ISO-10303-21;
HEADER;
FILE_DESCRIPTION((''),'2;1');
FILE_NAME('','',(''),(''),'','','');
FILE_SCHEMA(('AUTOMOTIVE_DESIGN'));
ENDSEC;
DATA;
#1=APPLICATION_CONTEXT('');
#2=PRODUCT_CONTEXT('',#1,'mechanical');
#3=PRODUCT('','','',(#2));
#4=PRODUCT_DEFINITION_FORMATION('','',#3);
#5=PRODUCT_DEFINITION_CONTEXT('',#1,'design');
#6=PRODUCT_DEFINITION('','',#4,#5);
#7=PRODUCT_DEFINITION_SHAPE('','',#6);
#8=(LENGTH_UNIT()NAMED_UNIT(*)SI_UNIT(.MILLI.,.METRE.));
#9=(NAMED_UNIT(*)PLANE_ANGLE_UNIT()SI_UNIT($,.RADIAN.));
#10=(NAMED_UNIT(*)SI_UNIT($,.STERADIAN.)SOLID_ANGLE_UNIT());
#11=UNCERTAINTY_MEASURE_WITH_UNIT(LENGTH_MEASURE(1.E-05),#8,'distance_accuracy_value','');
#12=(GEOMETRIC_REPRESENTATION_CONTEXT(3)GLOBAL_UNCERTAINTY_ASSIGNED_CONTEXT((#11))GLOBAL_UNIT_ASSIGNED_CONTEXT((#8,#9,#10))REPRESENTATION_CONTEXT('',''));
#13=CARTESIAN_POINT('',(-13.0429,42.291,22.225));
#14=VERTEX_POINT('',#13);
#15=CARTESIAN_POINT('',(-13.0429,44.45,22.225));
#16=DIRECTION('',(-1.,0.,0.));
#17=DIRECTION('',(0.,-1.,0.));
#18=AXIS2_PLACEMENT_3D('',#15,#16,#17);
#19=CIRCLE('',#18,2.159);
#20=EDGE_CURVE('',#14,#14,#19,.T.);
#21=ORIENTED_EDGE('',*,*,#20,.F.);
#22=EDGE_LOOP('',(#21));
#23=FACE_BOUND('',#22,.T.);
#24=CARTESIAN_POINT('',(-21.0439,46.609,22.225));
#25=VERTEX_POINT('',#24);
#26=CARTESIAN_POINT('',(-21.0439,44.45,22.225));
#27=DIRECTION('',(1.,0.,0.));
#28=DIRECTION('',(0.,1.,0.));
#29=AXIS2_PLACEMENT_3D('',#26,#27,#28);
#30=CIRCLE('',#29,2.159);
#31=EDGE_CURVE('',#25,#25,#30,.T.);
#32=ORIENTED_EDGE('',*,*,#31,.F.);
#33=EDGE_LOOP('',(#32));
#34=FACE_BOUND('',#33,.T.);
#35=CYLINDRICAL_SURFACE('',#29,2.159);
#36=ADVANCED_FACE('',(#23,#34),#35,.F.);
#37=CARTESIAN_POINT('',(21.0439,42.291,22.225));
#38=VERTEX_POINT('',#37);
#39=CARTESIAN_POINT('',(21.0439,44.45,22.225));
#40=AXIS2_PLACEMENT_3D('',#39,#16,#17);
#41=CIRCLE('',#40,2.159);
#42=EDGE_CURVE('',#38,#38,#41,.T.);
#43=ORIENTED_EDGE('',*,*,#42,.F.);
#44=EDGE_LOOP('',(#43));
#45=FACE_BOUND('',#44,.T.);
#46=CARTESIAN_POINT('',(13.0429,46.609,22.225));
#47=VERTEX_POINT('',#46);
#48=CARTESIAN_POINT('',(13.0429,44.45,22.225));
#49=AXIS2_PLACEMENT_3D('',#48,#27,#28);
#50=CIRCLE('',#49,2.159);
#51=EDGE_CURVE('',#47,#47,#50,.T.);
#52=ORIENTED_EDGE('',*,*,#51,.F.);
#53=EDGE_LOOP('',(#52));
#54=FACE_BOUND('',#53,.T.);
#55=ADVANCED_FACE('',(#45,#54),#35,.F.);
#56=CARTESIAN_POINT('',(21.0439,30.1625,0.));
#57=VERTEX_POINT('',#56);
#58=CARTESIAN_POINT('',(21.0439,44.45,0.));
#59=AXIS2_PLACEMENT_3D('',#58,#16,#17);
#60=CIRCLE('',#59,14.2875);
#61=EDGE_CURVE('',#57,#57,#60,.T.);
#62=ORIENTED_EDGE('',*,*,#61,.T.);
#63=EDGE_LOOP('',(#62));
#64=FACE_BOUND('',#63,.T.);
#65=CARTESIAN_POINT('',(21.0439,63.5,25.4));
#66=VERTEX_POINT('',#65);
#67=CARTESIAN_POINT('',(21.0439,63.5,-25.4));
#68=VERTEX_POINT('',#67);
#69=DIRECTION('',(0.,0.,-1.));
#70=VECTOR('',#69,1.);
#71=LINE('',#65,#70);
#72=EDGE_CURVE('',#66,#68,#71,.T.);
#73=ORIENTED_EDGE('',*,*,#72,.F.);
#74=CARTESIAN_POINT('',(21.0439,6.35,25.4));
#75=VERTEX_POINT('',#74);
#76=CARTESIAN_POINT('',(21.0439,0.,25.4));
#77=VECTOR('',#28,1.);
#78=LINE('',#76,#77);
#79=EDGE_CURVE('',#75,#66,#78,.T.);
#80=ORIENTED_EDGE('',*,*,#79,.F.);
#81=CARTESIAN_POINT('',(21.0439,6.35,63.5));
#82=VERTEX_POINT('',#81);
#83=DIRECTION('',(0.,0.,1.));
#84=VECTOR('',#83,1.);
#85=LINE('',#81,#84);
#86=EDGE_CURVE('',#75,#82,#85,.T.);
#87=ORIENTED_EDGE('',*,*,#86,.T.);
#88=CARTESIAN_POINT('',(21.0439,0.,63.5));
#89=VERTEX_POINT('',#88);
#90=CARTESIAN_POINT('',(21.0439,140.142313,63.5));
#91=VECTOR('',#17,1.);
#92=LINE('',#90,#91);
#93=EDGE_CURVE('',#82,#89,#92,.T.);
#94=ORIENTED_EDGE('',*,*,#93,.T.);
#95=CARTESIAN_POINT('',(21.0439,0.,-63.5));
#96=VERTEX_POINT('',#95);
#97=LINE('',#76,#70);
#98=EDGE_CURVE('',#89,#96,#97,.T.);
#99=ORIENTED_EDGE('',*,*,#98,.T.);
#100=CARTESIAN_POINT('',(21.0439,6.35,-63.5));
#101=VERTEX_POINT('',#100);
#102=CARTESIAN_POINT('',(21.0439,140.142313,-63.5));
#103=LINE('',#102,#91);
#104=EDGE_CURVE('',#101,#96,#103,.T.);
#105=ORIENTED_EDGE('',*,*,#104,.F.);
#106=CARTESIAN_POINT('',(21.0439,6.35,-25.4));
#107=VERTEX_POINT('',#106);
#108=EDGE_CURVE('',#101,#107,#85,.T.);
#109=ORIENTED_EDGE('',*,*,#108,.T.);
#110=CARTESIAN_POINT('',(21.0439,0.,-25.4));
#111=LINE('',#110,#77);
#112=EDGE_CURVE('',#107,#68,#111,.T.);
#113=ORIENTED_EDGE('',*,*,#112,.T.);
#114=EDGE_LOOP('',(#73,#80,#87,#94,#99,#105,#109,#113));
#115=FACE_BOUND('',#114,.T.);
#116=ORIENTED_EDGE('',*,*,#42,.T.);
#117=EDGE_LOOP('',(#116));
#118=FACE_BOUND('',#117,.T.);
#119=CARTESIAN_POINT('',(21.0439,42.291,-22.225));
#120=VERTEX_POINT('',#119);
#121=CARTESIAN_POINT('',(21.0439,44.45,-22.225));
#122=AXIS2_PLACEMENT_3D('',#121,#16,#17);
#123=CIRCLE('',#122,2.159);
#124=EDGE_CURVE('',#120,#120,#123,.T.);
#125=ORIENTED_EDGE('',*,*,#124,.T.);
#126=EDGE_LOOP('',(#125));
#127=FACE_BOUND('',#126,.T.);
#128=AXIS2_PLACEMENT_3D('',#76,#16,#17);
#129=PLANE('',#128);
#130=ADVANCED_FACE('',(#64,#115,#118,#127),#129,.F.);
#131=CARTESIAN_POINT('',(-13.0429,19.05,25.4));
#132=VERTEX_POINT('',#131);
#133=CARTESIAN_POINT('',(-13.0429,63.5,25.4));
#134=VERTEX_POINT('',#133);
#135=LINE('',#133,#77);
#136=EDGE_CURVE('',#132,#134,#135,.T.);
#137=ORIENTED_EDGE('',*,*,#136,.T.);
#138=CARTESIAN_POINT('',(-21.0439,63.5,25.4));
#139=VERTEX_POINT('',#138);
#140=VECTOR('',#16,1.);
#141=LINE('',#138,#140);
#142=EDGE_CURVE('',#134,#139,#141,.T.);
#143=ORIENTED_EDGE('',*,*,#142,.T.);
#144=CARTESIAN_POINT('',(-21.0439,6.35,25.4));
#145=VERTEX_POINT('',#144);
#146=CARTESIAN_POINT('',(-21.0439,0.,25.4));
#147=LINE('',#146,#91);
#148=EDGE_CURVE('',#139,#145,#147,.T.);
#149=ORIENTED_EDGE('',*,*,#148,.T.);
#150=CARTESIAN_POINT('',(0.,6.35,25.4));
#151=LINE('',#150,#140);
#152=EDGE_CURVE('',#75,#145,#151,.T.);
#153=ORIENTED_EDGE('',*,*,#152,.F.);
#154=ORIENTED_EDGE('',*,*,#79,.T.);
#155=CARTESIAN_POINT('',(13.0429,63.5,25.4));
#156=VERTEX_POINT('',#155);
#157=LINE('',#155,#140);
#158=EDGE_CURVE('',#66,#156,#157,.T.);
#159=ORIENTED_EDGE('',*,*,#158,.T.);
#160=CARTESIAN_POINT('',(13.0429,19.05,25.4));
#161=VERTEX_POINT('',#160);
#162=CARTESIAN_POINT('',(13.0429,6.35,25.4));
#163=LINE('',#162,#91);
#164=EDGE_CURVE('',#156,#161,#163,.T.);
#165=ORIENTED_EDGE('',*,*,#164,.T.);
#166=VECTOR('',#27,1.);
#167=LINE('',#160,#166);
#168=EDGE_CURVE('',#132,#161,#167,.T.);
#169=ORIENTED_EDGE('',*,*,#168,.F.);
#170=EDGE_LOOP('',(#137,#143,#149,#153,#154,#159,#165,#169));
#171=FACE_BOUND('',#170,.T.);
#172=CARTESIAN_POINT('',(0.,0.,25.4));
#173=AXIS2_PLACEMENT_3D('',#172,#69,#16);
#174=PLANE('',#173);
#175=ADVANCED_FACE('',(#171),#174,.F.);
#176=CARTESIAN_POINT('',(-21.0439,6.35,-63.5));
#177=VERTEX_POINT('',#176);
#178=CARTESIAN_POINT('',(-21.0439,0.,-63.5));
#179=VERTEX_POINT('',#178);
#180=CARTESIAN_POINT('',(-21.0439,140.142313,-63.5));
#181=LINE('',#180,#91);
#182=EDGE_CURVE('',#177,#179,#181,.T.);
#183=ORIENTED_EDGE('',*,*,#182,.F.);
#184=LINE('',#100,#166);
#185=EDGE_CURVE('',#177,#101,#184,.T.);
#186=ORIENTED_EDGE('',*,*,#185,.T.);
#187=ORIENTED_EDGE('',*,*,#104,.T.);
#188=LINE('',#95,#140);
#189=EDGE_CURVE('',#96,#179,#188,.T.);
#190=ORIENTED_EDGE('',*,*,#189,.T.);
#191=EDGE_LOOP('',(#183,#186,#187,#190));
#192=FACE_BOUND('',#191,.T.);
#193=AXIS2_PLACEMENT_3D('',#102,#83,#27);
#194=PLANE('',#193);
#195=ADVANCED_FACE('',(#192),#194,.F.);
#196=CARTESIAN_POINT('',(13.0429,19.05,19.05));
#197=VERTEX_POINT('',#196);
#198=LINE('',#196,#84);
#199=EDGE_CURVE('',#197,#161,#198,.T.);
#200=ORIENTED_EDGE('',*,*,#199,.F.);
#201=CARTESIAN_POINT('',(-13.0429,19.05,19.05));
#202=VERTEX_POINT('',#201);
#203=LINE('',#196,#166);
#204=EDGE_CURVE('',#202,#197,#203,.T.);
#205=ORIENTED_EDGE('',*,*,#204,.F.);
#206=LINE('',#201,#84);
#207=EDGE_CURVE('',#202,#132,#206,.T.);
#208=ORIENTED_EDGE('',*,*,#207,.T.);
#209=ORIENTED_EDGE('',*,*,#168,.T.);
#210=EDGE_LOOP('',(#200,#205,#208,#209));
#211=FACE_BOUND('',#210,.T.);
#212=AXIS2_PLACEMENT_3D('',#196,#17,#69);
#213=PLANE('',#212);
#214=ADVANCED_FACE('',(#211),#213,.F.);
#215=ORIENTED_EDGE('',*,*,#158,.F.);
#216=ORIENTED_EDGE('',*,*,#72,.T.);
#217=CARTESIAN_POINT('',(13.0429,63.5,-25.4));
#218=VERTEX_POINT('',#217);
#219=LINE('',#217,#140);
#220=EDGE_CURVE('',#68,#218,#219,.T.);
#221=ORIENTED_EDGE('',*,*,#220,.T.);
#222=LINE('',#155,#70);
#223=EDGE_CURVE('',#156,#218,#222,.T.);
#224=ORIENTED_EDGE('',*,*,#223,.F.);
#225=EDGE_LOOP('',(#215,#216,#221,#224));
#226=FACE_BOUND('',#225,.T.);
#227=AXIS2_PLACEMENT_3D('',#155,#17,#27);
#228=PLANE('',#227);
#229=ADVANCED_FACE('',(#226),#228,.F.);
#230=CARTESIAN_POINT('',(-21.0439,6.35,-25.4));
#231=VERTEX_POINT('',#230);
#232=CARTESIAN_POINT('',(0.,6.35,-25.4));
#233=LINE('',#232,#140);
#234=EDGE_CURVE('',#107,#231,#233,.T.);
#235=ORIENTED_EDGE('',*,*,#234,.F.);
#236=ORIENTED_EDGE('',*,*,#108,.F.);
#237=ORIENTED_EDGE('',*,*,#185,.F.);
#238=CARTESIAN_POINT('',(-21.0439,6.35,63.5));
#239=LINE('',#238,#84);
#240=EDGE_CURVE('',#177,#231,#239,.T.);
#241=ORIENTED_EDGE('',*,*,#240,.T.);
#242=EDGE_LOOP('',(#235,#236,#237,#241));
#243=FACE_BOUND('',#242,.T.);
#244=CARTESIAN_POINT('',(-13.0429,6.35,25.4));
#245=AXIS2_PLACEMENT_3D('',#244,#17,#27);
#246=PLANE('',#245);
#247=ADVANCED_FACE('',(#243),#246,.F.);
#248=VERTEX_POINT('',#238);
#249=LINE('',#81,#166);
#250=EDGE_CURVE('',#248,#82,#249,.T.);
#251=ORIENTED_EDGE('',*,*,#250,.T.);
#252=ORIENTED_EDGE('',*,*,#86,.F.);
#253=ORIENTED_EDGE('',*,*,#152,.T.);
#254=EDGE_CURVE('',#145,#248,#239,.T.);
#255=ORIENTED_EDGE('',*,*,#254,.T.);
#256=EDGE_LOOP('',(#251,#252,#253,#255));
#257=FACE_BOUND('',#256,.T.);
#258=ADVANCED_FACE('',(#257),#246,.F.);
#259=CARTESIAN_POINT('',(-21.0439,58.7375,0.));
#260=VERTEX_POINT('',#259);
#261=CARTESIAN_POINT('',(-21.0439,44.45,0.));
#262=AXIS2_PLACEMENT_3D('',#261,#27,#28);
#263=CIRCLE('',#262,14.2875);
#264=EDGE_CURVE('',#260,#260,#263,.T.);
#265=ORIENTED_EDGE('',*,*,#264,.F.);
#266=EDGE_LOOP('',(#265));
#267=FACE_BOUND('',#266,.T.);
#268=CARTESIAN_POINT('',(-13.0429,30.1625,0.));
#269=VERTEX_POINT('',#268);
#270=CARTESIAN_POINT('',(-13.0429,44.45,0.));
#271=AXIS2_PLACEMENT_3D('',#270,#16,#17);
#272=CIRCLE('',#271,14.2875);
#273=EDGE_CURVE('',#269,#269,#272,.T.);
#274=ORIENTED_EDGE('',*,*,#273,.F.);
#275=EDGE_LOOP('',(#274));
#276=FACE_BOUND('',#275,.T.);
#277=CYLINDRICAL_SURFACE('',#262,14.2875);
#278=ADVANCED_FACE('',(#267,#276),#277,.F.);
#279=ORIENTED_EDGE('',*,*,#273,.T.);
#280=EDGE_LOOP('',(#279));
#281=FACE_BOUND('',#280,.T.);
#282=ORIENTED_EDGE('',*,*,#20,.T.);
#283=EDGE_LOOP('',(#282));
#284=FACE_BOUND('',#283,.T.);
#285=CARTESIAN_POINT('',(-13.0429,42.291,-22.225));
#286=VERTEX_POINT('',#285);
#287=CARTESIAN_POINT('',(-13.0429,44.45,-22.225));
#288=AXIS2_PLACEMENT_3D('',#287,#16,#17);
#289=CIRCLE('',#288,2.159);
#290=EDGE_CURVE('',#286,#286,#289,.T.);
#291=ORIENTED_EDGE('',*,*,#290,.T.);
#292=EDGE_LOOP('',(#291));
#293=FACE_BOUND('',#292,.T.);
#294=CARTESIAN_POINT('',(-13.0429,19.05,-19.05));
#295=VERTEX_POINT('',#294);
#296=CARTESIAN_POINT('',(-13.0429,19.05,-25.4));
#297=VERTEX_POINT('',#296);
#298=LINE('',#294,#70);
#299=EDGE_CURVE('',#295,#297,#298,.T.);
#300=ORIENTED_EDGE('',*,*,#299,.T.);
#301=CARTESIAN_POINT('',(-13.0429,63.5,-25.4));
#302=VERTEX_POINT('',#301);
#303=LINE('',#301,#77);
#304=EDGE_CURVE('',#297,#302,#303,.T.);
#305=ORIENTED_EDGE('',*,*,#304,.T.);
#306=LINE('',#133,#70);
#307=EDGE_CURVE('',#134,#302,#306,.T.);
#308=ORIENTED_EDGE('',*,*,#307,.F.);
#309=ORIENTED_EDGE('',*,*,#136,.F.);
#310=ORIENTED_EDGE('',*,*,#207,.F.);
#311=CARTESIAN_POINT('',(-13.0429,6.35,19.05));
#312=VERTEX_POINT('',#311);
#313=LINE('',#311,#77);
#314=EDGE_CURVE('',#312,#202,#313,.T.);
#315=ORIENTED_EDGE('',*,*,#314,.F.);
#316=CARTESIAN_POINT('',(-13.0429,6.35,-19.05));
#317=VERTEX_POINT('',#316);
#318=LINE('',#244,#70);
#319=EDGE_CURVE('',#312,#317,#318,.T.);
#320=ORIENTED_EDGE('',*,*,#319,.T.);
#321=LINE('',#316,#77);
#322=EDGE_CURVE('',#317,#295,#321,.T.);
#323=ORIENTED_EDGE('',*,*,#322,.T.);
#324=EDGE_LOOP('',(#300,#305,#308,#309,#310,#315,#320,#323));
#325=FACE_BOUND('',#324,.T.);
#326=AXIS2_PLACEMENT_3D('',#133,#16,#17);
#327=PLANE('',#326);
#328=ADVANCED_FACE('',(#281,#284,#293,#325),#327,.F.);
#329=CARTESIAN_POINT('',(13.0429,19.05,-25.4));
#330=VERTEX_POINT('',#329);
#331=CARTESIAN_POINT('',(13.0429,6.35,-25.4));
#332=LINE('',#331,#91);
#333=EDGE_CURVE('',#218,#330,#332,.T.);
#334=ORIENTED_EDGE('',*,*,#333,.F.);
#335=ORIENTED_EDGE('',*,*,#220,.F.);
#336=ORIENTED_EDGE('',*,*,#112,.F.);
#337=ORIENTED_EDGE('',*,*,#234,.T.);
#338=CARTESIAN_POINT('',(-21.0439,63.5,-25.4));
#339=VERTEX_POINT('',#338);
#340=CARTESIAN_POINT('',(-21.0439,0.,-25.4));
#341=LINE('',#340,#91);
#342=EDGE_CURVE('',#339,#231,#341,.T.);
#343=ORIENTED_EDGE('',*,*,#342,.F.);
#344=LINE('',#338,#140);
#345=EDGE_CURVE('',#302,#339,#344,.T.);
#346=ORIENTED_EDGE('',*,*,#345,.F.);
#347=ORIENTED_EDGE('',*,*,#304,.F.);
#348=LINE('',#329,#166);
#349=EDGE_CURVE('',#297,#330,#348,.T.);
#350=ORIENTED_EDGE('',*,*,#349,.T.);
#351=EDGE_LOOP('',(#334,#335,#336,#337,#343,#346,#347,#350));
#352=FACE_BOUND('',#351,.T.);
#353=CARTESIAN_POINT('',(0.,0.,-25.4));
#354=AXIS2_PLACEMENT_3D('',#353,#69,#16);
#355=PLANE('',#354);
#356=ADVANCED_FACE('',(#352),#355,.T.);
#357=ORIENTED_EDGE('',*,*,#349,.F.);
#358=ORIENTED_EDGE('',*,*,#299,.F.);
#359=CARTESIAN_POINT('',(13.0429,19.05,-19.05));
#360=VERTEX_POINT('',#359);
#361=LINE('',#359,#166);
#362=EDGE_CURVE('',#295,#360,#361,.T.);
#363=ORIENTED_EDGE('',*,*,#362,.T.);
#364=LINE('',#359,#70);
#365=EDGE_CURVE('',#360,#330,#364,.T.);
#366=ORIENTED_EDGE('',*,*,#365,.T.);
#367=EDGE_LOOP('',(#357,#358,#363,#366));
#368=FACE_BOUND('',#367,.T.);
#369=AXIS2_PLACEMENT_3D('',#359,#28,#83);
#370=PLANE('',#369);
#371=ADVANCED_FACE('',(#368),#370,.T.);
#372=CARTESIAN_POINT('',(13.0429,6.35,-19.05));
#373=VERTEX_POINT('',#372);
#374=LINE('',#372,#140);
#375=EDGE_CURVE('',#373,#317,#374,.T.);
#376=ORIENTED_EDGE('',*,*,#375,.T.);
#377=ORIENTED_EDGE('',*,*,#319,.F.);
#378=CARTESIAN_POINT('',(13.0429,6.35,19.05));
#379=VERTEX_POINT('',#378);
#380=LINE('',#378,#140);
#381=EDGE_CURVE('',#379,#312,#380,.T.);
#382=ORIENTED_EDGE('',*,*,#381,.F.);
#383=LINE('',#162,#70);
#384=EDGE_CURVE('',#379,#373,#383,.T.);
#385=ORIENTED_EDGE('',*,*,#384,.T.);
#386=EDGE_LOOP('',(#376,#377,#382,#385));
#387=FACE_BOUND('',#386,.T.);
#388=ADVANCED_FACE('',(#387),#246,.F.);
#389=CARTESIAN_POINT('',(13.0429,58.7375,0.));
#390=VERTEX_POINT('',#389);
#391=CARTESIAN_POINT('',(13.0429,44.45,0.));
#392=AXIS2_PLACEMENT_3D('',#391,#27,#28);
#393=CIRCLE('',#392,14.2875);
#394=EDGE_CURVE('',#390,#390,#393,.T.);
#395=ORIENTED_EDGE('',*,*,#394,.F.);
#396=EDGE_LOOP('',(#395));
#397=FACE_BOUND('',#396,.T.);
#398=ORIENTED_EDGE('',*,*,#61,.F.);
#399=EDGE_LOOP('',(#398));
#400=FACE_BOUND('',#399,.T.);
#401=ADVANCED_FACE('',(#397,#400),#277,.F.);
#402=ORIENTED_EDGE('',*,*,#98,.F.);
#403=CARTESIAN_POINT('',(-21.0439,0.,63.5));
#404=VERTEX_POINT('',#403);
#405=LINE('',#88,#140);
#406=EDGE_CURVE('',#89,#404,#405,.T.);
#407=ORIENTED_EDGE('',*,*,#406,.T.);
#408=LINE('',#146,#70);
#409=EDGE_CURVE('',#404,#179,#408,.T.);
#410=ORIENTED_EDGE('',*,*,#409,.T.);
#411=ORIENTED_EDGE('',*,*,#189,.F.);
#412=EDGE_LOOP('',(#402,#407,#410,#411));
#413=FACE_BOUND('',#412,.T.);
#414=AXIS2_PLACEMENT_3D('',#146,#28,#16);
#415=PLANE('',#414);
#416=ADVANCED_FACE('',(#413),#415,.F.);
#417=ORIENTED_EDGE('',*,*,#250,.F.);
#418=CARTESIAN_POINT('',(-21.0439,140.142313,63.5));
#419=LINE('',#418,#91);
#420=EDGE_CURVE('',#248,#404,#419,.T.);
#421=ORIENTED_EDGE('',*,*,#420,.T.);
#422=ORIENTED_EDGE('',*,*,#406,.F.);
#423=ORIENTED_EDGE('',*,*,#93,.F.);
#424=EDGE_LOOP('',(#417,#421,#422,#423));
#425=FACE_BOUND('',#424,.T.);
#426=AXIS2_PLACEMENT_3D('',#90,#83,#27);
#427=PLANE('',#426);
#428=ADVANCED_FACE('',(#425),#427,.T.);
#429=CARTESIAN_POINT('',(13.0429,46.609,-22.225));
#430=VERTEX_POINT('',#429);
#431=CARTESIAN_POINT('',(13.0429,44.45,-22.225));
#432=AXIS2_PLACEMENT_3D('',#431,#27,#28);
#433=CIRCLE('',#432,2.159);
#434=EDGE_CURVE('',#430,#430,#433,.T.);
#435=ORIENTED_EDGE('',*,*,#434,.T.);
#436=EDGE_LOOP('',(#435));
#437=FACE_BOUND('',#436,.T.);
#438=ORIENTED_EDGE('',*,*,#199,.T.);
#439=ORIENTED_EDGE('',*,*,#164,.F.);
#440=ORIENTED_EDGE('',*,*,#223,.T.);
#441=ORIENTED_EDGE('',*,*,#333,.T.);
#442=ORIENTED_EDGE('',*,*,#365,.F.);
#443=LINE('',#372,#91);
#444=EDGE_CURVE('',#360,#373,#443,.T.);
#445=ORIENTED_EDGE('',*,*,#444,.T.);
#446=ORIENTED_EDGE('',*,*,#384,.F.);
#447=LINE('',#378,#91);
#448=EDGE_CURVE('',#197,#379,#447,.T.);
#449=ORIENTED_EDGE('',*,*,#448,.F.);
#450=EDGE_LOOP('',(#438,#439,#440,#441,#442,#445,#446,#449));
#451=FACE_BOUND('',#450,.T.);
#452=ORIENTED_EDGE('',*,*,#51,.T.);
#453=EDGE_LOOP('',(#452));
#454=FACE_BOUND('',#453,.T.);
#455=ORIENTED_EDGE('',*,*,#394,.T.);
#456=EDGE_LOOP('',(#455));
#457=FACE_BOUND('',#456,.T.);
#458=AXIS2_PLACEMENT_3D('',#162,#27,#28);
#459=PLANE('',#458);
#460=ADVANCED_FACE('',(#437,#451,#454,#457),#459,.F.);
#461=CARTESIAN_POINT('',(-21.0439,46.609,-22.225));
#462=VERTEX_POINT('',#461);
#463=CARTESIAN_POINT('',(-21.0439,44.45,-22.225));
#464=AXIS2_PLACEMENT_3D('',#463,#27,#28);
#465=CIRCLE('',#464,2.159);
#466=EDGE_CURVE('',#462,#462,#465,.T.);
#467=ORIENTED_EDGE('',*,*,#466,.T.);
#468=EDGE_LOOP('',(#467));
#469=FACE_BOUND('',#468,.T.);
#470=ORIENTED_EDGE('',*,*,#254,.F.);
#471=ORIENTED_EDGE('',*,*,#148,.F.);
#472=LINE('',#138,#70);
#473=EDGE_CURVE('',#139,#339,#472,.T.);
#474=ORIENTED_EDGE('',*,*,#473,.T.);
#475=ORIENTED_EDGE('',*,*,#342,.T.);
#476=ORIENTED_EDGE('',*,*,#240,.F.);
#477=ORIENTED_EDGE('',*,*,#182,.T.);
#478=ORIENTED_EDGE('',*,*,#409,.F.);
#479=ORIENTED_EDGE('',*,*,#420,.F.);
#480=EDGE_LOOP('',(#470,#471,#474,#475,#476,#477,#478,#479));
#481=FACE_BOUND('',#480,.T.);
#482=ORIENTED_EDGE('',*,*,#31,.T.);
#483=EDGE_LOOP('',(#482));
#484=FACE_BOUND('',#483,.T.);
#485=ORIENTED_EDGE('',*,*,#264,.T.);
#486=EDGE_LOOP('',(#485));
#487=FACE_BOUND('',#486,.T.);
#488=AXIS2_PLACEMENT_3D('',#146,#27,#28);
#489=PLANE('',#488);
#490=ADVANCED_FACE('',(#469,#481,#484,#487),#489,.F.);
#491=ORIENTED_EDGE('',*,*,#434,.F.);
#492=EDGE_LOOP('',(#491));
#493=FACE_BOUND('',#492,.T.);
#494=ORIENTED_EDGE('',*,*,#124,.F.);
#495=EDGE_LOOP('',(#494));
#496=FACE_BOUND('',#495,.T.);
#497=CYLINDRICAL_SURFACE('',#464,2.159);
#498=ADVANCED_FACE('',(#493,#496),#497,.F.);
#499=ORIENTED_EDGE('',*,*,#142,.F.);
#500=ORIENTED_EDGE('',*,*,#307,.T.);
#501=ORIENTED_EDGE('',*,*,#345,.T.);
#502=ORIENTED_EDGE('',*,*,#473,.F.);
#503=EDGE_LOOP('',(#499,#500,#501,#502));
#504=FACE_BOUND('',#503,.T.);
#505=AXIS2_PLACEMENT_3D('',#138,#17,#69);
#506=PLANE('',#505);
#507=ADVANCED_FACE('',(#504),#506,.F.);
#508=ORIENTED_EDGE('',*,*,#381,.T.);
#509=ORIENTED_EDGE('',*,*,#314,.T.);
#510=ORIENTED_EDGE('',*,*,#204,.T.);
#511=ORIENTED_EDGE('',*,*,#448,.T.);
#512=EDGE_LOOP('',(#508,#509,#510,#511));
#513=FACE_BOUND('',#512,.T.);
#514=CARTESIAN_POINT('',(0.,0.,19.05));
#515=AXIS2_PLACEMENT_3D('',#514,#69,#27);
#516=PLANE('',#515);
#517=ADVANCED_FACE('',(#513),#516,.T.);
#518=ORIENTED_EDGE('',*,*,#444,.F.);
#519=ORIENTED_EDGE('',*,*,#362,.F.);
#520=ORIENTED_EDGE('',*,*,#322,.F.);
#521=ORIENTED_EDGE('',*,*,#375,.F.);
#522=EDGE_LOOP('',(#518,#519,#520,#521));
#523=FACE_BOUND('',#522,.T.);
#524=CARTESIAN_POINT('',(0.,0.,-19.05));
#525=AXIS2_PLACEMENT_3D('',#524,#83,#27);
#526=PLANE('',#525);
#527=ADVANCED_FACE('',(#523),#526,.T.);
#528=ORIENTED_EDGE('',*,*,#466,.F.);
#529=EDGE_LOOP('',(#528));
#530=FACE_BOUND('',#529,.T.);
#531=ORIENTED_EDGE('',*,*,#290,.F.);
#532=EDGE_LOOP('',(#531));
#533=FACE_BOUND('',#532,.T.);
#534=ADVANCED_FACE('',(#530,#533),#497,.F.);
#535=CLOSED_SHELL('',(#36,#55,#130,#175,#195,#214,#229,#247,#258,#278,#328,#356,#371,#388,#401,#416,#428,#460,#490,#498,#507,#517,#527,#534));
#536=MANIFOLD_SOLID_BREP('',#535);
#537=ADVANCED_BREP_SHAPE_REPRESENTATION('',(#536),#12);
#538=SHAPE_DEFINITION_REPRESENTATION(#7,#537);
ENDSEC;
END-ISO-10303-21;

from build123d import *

# Parameters (mm, degrees)
BOSS_EXTRUDE1_DEPTH     = 25.4
CUT_EXTRUDE1_DEPTH      = 81.304376648
CUT_EXTRUDE1_DEPTH_BACK = 81.304376648
SKETCH2_R               = 14.2875
SKETCH2_R_2             = 2.159
SKETCH3_W               = 42.0878
SKETCH3_H               = 127
BOSS_EXTRUDE2_DEPTH     = 6.35
SKETCH4_W               = 26.0858
SKETCH4_H               = 12.7
BOSS_EXTRUDE3_DEPTH     = 6.35


with BuildPart() as part:
    # Sketch1 → Boss-Extrude1 (new, symmetric)
    with BuildSketch(Plane.XY):
        Polygon((-21.0439, 0), (21.0439, 0), (21.0439, 63.5), (13.0429, 63.5), (13.0429, 6.35), (-13.0429, 6.35), (-13.0429, 63.5), (-21.0439, 63.5), align=None)
    extrude(amount=BOSS_EXTRUDE1_DEPTH, both=True)

    # Sketch2 → Cut-Extrude1 (cut, two sides: drawn at the far end of the back side and taken through both)
    with BuildSketch(Plane(origin=(21.0439, 0, 0), x_dir=(0, 0, -1), z_dir=(1, 0, 0)).offset(-CUT_EXTRUDE1_DEPTH_BACK)):
        with Locations(Location((0, 44.45, 0), (0, 0, 90))):
            Circle(SKETCH2_R)
        with Locations(Location((22.225, 44.45, 0), (0, 0, 90))):
            Circle(SKETCH2_R_2)
        with Locations(Location((-22.225, 44.45, 0), (0, 0, 90))):
            Circle(SKETCH2_R_2)
    extrude(amount=CUT_EXTRUDE1_DEPTH + CUT_EXTRUDE1_DEPTH_BACK, mode=Mode.SUBTRACT)

    # Sketch3 → Boss-Extrude2 (add)
    with BuildSketch(Plane(origin=(0, 0, 0), x_dir=(-1, 0, 0), z_dir=(0, -1, 0))):
        Rectangle(SKETCH3_W, SKETCH3_H)
    extrude(amount=-BOSS_EXTRUDE2_DEPTH)

    # Sketch4 → Boss-Extrude3 (add)
    with BuildSketch(Plane(origin=(0, 0, -25.4), x_dir=(-1, 0, 0), z_dir=(0, 0, -1))):
        with Locations((0, 12.7)):
            Rectangle(SKETCH4_W, SKETCH4_H)
    boss_extrude3 = extrude(amount=-BOSS_EXTRUDE3_DEPTH)

    # Mirror1: Boss-Extrude3 across plane
    add(boss_extrude3.mirror(Plane.XY))


solid = part.part
